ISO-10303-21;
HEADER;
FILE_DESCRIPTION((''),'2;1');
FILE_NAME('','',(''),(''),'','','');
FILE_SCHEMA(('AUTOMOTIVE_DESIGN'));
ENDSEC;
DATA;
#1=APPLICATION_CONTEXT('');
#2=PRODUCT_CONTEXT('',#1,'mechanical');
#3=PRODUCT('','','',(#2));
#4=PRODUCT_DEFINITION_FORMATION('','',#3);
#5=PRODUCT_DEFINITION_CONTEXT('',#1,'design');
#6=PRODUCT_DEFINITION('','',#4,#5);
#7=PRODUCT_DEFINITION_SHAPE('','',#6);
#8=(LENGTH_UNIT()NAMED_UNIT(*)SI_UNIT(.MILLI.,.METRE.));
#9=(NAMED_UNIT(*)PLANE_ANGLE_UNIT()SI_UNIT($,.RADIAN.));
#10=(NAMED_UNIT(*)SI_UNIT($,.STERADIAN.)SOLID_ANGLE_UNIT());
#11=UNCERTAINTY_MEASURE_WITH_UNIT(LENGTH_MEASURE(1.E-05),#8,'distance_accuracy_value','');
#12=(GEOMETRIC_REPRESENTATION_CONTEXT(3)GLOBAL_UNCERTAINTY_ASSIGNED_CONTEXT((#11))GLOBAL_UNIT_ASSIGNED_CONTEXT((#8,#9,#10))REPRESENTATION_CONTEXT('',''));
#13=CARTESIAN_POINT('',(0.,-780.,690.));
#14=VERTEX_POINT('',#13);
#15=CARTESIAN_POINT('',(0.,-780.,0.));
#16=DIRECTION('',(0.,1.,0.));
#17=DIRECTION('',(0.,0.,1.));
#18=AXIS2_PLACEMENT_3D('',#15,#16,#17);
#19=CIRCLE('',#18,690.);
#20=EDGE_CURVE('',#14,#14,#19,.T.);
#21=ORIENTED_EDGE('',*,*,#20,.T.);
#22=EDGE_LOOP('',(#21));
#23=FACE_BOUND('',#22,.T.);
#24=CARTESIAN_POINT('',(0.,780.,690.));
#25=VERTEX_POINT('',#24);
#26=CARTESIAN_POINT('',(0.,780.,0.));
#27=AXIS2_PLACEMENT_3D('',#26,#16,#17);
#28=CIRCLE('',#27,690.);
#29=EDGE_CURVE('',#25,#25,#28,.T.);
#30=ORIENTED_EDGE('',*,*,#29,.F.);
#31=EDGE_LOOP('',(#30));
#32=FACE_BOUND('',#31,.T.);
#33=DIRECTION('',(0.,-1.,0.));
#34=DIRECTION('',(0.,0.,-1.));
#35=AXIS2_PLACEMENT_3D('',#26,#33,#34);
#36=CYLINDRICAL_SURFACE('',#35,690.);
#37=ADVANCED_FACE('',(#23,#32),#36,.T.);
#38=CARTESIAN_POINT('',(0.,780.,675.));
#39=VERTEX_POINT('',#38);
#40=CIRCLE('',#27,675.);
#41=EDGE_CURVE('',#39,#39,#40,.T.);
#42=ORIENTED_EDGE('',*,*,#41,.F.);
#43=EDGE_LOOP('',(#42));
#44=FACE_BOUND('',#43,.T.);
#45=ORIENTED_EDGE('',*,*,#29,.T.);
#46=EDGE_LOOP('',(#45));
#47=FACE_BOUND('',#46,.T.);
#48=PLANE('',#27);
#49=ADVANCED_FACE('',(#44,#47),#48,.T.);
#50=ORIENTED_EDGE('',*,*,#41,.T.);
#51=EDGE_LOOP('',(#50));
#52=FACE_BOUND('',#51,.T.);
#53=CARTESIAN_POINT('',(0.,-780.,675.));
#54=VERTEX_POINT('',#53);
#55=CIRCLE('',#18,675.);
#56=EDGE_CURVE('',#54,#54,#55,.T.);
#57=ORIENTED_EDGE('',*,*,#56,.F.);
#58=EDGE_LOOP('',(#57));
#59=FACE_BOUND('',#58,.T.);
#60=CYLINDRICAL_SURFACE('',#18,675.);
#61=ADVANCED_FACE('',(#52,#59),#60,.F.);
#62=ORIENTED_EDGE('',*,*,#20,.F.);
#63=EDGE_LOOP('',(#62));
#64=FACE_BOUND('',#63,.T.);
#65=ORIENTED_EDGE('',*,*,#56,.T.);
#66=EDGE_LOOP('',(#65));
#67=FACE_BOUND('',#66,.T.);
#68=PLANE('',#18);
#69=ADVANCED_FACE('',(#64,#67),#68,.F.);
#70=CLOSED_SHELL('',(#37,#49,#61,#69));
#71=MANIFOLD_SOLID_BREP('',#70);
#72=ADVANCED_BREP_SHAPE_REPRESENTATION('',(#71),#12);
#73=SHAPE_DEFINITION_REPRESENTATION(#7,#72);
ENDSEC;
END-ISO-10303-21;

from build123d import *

# Parameters (mm, degrees)
SKETCH1_R               = 690
BOSS_EXTRUDE1_DEPTH     = 780
CUT_EXTRUDE1_DEPTH      = 1250.239768819
CUT_EXTRUDE1_DEPTH_BACK = 1250.239768819
SKETCH2_R               = 675


with BuildPart() as part:
    # Sketch1 → Boss-Extrude1 (new, symmetric)
    with BuildSketch(Plane(origin=(0, 0, 0), x_dir=(1, 0, 0), z_dir=(0, 1, 0))):
        with Locations(Location((0, 0, 0), (0, 0, 270))):
            Circle(SKETCH1_R)
    extrude(amount=BOSS_EXTRUDE1_DEPTH, both=True)

    # Sketch2 → Cut-Extrude1 (cut, two sides: drawn at the far end of the back side and taken through both)
    with BuildSketch(Plane(origin=(0, 0, 0), x_dir=(1, 0, 0), z_dir=(0, 1, 0)).offset(-CUT_EXTRUDE1_DEPTH_BACK)):
        with Locations(Location((0, 0, 0), (0, 0, 270))):
            Circle(SKETCH2_R)
    extrude(amount=CUT_EXTRUDE1_DEPTH + CUT_EXTRUDE1_DEPTH_BACK, mode=Mode.SUBTRACT)


solid = part.part
